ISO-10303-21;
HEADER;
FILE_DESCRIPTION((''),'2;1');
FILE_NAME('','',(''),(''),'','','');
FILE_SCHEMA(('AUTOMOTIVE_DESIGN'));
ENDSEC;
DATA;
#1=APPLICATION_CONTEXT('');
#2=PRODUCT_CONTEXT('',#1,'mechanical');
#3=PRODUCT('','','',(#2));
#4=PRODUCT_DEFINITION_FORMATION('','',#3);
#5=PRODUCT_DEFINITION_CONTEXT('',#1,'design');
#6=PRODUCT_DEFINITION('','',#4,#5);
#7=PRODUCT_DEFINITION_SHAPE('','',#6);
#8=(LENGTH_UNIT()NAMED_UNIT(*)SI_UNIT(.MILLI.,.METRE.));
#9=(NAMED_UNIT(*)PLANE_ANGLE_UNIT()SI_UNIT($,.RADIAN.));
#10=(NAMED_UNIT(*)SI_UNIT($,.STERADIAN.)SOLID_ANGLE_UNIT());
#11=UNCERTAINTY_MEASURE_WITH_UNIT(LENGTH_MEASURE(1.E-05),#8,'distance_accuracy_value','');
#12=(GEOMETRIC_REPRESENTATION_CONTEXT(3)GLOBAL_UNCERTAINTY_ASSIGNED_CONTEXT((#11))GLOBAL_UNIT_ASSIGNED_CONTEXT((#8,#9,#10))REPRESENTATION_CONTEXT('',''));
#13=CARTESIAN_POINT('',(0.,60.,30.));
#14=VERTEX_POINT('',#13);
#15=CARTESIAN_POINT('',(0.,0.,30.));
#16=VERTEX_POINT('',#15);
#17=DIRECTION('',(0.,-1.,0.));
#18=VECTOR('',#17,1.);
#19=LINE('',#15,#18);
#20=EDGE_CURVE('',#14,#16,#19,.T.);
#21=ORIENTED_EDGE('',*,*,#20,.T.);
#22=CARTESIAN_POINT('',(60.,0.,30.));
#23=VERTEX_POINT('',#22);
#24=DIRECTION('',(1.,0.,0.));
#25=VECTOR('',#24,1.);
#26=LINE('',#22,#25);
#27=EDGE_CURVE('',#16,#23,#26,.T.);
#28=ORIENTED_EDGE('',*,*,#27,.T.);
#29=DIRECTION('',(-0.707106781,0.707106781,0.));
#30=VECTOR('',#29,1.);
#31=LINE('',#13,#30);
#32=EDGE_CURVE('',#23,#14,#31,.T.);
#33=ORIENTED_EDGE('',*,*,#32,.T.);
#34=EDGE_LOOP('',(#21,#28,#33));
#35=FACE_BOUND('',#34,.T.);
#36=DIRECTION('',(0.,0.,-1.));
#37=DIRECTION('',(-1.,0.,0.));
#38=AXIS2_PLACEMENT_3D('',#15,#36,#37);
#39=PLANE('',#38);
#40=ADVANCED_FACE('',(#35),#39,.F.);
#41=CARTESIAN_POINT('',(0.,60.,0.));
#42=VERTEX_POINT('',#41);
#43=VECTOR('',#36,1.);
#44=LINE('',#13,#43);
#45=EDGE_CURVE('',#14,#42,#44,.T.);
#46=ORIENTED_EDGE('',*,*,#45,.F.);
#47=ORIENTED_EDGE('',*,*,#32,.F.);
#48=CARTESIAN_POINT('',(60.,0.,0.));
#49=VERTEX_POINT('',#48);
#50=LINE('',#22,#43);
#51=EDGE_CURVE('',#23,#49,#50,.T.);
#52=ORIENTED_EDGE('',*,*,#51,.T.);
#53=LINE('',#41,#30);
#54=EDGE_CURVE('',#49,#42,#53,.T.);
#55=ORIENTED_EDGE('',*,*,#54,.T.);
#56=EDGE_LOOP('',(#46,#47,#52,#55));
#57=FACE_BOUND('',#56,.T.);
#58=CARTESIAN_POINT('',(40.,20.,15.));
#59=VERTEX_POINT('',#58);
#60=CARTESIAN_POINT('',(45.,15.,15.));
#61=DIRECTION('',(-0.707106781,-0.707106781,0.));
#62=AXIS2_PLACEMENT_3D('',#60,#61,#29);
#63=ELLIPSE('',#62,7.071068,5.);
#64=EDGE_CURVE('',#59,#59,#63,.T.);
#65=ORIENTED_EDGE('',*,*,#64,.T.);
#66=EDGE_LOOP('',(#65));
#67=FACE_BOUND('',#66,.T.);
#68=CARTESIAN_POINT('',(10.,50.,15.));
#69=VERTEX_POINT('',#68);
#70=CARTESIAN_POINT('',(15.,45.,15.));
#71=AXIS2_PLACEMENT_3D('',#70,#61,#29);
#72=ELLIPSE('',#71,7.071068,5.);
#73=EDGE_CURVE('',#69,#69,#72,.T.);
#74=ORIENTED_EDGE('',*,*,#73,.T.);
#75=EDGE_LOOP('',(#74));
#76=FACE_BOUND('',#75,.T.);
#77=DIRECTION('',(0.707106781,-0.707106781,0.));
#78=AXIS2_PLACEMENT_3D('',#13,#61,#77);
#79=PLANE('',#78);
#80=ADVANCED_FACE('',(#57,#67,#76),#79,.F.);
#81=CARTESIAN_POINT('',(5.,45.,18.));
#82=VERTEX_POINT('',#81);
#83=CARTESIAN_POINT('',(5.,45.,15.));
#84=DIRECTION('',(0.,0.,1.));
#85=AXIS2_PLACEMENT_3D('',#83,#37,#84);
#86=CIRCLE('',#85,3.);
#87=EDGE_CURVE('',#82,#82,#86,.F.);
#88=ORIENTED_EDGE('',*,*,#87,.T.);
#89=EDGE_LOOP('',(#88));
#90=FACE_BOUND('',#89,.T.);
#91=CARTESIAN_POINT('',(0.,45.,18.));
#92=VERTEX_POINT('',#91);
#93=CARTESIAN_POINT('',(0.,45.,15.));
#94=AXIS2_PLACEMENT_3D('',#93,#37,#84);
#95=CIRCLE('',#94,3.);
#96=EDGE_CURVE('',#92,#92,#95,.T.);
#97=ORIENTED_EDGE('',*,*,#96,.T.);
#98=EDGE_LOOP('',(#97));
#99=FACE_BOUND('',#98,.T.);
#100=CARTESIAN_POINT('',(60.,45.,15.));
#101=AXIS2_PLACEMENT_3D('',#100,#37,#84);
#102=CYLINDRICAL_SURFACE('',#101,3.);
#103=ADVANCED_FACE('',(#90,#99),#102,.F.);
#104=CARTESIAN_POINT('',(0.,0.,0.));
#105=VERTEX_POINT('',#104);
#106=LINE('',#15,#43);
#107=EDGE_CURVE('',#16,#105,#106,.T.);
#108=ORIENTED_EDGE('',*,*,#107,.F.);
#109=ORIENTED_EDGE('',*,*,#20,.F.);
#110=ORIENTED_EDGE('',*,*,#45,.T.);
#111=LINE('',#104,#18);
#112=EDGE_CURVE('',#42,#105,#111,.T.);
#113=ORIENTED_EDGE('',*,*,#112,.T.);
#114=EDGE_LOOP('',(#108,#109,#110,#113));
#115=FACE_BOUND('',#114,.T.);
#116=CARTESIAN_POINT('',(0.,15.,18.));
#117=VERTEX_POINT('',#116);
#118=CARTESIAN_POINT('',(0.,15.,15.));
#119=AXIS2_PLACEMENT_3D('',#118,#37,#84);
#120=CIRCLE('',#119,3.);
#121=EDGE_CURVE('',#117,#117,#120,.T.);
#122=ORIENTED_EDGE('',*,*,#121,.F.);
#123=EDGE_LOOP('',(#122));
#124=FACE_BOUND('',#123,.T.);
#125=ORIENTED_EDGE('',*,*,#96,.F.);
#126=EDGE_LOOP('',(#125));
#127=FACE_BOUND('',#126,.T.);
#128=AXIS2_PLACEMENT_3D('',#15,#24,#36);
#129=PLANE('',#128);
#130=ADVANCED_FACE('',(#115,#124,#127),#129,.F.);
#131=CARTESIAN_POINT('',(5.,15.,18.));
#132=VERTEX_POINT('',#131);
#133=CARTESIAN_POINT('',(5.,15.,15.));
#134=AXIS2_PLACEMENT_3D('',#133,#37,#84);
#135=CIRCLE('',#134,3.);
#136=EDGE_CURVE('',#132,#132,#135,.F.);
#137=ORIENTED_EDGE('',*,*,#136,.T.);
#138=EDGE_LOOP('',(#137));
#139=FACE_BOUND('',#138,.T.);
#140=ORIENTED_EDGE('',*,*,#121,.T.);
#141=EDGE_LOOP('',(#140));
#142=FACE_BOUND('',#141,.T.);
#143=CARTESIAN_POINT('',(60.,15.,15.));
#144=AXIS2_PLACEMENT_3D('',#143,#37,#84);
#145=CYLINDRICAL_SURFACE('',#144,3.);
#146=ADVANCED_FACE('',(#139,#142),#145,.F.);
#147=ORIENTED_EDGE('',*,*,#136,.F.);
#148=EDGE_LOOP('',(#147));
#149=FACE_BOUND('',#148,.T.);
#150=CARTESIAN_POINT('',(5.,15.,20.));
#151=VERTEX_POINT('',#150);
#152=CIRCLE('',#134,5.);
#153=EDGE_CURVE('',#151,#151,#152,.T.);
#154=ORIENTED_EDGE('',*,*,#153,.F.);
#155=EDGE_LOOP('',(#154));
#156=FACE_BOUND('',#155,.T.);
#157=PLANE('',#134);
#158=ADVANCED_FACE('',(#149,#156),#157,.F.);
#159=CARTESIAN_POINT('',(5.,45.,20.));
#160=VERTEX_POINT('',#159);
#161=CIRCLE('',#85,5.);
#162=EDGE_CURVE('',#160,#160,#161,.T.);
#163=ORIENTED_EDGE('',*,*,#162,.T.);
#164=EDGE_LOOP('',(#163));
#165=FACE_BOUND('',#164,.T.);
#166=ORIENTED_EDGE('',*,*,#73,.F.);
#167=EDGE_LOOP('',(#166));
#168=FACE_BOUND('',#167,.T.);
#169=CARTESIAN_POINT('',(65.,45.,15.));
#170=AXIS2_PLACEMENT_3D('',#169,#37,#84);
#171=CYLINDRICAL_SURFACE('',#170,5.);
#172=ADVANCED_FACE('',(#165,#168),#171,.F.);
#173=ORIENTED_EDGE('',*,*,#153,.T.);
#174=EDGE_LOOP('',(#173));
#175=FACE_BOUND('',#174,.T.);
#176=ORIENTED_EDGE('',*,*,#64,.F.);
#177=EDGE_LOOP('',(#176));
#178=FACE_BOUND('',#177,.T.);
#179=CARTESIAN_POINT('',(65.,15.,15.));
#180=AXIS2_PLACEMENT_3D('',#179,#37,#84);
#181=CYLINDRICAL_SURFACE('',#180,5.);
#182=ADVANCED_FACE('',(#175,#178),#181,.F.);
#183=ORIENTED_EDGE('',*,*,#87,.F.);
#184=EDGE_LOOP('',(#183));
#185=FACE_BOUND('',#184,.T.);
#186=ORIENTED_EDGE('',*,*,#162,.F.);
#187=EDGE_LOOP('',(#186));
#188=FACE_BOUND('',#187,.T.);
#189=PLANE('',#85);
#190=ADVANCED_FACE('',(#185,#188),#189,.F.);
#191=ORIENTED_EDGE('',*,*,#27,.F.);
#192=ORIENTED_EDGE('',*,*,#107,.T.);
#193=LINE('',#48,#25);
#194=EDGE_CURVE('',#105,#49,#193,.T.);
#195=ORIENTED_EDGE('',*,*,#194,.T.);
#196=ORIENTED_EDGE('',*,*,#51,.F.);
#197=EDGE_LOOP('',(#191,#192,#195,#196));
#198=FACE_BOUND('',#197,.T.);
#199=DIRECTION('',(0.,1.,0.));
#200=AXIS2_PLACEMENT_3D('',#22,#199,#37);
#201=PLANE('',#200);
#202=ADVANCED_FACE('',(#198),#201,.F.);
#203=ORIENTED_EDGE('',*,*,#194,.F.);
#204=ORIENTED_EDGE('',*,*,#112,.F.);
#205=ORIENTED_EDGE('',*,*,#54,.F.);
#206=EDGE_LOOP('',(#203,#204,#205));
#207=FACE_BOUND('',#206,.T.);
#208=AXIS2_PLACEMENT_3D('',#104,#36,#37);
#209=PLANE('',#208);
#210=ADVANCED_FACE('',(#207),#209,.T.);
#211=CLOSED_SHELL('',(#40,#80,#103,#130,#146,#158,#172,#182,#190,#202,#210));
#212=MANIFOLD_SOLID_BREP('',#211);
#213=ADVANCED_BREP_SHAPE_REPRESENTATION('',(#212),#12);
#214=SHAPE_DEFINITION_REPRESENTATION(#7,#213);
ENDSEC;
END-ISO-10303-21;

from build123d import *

# Parameters (mm, degrees)
EXTRUDE_1_DEPTH     = 30
SKETCH_2_R          = 3
CUT_EXTRUDE_1_DEPTH = 60
SKETCH_3_R          = 5
CUT_EXTRUDE_2_DEPTH = 60


with BuildPart() as part:
    # 스케치1 → 보스-돌출1 (new body)
    with BuildSketch(Plane.XY):
        Polygon((0, 0), (0, 60), (60, 0), align=None)
    extrude(amount=EXTRUDE_1_DEPTH)

    # 스케치2 → 컷-돌출1 (cut)
    with BuildSketch(Plane.ZY):
        with Locations((15, 15)):
            Circle(SKETCH_2_R)
        with Locations((15, 45)):
            Circle(SKETCH_2_R)
    extrude(amount=-CUT_EXTRUDE_1_DEPTH, mode=Mode.SUBTRACT)

    # 스케치3 → 컷-돌출2 (cut)
    with BuildSketch(Plane.ZY.offset(-5)):
        with Locations((15, 15)):
            Circle(SKETCH_3_R)
        with Locations((15, 45)):
            Circle(SKETCH_3_R)
    extrude(amount=-CUT_EXTRUDE_2_DEPTH, mode=Mode.SUBTRACT)


solid = part.part
